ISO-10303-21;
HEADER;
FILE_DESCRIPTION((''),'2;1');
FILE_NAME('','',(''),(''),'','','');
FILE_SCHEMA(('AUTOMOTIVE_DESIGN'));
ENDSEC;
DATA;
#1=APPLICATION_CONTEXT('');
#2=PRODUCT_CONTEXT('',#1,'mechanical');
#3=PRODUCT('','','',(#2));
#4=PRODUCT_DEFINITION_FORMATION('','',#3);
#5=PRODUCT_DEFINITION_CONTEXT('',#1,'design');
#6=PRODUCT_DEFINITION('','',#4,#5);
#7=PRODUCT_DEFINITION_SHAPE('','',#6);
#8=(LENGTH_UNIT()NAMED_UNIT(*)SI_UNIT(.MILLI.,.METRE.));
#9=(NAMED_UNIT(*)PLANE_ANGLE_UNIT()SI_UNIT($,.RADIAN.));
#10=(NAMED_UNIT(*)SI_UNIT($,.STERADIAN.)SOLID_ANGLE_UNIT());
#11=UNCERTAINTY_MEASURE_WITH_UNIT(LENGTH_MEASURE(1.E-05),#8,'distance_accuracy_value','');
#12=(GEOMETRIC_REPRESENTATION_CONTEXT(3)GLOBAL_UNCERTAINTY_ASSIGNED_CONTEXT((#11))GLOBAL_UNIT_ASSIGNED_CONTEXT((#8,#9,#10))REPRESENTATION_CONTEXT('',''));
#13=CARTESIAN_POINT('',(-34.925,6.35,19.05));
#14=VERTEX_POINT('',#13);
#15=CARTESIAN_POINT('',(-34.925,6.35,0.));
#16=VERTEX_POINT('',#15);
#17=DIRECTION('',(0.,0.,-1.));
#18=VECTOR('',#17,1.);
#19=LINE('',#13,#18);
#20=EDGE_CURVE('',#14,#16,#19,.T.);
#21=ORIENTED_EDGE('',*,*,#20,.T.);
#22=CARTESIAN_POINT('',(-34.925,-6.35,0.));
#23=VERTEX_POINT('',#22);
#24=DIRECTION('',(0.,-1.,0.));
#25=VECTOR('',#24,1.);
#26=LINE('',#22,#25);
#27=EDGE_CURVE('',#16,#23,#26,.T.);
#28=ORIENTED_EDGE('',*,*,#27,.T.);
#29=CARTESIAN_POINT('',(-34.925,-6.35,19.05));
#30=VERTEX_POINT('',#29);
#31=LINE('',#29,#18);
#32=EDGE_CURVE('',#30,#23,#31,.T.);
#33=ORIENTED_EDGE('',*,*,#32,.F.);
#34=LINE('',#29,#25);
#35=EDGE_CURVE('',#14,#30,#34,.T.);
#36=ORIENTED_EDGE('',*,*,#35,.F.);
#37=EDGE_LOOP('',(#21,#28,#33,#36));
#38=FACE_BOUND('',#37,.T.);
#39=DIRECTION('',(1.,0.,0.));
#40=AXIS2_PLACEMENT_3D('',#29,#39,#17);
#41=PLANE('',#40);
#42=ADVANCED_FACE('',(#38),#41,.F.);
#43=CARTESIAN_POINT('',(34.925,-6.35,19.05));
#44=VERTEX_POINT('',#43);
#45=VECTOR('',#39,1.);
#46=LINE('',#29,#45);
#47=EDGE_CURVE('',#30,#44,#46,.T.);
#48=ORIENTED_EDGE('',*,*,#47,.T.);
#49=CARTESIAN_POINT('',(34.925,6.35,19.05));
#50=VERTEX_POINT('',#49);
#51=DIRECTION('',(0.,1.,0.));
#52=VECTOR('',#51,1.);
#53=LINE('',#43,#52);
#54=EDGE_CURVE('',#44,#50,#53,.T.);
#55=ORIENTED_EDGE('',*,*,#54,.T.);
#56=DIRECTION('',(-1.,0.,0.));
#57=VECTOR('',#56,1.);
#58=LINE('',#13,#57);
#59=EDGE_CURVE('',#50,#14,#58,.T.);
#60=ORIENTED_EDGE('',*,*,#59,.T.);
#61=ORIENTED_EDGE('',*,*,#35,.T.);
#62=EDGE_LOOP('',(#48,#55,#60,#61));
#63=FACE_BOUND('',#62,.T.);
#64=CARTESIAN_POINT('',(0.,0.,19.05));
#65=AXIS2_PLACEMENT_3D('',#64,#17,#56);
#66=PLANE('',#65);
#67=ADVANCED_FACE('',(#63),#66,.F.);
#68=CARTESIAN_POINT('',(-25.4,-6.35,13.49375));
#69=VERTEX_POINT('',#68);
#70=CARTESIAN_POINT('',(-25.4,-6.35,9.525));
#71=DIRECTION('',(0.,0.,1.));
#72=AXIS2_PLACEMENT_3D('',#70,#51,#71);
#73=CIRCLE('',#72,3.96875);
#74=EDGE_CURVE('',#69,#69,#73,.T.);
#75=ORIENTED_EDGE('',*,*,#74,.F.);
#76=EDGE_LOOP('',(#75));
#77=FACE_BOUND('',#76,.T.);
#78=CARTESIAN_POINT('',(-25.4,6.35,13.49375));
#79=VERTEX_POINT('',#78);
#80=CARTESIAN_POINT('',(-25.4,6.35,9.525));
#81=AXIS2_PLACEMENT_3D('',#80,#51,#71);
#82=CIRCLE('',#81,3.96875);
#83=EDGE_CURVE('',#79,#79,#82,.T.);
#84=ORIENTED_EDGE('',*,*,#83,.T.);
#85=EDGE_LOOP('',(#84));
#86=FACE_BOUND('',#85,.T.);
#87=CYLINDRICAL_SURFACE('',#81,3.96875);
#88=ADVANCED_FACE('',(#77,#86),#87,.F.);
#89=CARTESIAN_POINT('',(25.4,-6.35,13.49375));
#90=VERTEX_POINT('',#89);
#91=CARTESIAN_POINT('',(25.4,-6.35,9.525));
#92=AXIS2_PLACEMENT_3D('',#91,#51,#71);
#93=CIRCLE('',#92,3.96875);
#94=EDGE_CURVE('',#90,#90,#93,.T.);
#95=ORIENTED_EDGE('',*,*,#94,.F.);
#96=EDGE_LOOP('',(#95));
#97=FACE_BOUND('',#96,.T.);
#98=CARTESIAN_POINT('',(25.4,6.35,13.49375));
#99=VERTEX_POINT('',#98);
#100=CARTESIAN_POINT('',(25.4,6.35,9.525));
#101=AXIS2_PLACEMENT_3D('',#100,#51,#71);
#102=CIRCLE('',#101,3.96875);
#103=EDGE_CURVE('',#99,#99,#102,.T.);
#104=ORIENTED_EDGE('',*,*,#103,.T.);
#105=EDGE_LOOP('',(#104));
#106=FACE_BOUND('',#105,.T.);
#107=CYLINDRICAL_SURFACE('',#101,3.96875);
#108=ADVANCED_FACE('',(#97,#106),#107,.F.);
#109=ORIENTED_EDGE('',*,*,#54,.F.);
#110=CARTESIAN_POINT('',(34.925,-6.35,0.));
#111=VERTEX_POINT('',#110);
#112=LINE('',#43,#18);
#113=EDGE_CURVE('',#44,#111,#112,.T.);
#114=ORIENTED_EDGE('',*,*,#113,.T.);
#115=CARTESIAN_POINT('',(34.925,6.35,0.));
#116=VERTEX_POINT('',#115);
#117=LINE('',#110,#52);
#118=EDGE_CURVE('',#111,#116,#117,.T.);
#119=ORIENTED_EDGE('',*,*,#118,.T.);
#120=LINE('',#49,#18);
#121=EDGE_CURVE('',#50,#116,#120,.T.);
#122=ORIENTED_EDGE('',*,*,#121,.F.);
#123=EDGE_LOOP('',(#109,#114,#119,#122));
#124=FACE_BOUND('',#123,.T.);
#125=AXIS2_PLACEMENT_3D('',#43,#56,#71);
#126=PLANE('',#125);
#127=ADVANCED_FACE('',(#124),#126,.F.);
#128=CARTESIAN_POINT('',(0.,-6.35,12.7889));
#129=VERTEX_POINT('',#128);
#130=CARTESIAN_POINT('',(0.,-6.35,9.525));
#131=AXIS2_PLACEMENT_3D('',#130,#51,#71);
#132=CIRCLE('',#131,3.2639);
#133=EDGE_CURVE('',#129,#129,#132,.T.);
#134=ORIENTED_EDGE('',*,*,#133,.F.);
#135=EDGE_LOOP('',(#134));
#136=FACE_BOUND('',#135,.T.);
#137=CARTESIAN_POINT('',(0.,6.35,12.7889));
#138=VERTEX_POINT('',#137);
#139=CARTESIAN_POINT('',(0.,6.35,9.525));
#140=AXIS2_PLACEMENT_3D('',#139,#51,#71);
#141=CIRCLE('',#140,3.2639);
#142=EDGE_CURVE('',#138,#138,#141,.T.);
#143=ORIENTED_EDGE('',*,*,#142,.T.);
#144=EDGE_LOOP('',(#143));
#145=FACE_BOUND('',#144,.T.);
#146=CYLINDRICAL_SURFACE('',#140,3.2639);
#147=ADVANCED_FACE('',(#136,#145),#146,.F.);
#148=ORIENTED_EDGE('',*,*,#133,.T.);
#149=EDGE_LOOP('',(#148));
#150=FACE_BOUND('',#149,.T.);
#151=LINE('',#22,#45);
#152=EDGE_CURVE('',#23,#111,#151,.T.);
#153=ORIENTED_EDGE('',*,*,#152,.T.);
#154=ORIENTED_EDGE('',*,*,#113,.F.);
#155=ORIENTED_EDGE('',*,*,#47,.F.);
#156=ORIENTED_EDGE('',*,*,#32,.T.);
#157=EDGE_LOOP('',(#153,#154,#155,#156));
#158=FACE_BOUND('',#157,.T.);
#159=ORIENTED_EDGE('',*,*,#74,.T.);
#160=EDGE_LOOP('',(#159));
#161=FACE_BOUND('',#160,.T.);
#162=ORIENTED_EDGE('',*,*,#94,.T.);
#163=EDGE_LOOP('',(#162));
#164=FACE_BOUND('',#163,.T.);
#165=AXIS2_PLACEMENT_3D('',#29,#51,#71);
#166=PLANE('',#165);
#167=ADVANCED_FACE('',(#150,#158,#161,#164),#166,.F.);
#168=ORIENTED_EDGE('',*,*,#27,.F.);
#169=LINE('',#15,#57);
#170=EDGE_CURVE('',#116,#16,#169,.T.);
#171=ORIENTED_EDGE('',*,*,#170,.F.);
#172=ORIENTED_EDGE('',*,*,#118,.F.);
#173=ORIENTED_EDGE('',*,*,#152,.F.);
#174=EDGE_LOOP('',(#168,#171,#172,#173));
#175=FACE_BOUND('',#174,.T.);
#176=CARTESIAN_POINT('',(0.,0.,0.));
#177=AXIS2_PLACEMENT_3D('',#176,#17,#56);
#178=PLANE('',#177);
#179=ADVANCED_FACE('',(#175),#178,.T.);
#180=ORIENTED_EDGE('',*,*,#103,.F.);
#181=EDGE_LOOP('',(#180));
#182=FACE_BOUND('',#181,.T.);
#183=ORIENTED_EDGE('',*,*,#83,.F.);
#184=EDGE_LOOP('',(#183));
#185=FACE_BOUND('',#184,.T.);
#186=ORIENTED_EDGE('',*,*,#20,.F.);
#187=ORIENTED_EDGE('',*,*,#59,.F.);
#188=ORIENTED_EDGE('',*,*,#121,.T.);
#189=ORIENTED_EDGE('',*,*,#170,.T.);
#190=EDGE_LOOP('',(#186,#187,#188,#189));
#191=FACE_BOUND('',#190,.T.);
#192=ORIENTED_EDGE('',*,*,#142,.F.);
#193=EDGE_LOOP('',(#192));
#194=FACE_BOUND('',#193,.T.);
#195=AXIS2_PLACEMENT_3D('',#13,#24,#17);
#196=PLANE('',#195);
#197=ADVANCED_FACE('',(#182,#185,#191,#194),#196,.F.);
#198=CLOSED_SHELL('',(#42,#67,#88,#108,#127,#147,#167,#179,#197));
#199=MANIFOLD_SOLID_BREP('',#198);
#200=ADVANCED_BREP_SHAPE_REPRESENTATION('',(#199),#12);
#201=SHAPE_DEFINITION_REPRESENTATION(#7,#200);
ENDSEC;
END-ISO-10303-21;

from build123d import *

# Parameters (mm, degrees)
SKETCH1_W                      = 69.85
SKETCH1_H                      = 12.7
BOSS_EXTRUDE1_DEPTH            = 19.05
F_5_16_0_3125_DIAMETER_HOLE1_D = 7.9375
F_5_16_18_TAPPED_HOLE1_D       = 6.5278


with BuildPart() as part:
    # Sketch1 → Boss-Extrude1 (new body)
    with BuildSketch(Plane.XY):
        Rectangle(SKETCH1_W, SKETCH1_H)
    extrude(amount=BOSS_EXTRUDE1_DEPTH)

    # 5/16 (0.3125) Diameter Hole1 (through all)
    with Locations(Plane(origin=(0, 6.35, 0), x_dir=(1, 0, 0), z_dir=(0, 1, 0))):
        with Locations((-25.4, -9.525), (25.4, -9.525)):
            Hole(F_5_16_0_3125_DIAMETER_HOLE1_D / 2)

    # 5/16-18 Tapped Hole1 (through all)
    with Locations(Plane(origin=(0, 6.35, 0), x_dir=(1, 0, 0), z_dir=(0, 1, 0))):
        with Locations((0, -9.525)):
            Hole(F_5_16_18_TAPPED_HOLE1_D / 2)


solid = part.part
